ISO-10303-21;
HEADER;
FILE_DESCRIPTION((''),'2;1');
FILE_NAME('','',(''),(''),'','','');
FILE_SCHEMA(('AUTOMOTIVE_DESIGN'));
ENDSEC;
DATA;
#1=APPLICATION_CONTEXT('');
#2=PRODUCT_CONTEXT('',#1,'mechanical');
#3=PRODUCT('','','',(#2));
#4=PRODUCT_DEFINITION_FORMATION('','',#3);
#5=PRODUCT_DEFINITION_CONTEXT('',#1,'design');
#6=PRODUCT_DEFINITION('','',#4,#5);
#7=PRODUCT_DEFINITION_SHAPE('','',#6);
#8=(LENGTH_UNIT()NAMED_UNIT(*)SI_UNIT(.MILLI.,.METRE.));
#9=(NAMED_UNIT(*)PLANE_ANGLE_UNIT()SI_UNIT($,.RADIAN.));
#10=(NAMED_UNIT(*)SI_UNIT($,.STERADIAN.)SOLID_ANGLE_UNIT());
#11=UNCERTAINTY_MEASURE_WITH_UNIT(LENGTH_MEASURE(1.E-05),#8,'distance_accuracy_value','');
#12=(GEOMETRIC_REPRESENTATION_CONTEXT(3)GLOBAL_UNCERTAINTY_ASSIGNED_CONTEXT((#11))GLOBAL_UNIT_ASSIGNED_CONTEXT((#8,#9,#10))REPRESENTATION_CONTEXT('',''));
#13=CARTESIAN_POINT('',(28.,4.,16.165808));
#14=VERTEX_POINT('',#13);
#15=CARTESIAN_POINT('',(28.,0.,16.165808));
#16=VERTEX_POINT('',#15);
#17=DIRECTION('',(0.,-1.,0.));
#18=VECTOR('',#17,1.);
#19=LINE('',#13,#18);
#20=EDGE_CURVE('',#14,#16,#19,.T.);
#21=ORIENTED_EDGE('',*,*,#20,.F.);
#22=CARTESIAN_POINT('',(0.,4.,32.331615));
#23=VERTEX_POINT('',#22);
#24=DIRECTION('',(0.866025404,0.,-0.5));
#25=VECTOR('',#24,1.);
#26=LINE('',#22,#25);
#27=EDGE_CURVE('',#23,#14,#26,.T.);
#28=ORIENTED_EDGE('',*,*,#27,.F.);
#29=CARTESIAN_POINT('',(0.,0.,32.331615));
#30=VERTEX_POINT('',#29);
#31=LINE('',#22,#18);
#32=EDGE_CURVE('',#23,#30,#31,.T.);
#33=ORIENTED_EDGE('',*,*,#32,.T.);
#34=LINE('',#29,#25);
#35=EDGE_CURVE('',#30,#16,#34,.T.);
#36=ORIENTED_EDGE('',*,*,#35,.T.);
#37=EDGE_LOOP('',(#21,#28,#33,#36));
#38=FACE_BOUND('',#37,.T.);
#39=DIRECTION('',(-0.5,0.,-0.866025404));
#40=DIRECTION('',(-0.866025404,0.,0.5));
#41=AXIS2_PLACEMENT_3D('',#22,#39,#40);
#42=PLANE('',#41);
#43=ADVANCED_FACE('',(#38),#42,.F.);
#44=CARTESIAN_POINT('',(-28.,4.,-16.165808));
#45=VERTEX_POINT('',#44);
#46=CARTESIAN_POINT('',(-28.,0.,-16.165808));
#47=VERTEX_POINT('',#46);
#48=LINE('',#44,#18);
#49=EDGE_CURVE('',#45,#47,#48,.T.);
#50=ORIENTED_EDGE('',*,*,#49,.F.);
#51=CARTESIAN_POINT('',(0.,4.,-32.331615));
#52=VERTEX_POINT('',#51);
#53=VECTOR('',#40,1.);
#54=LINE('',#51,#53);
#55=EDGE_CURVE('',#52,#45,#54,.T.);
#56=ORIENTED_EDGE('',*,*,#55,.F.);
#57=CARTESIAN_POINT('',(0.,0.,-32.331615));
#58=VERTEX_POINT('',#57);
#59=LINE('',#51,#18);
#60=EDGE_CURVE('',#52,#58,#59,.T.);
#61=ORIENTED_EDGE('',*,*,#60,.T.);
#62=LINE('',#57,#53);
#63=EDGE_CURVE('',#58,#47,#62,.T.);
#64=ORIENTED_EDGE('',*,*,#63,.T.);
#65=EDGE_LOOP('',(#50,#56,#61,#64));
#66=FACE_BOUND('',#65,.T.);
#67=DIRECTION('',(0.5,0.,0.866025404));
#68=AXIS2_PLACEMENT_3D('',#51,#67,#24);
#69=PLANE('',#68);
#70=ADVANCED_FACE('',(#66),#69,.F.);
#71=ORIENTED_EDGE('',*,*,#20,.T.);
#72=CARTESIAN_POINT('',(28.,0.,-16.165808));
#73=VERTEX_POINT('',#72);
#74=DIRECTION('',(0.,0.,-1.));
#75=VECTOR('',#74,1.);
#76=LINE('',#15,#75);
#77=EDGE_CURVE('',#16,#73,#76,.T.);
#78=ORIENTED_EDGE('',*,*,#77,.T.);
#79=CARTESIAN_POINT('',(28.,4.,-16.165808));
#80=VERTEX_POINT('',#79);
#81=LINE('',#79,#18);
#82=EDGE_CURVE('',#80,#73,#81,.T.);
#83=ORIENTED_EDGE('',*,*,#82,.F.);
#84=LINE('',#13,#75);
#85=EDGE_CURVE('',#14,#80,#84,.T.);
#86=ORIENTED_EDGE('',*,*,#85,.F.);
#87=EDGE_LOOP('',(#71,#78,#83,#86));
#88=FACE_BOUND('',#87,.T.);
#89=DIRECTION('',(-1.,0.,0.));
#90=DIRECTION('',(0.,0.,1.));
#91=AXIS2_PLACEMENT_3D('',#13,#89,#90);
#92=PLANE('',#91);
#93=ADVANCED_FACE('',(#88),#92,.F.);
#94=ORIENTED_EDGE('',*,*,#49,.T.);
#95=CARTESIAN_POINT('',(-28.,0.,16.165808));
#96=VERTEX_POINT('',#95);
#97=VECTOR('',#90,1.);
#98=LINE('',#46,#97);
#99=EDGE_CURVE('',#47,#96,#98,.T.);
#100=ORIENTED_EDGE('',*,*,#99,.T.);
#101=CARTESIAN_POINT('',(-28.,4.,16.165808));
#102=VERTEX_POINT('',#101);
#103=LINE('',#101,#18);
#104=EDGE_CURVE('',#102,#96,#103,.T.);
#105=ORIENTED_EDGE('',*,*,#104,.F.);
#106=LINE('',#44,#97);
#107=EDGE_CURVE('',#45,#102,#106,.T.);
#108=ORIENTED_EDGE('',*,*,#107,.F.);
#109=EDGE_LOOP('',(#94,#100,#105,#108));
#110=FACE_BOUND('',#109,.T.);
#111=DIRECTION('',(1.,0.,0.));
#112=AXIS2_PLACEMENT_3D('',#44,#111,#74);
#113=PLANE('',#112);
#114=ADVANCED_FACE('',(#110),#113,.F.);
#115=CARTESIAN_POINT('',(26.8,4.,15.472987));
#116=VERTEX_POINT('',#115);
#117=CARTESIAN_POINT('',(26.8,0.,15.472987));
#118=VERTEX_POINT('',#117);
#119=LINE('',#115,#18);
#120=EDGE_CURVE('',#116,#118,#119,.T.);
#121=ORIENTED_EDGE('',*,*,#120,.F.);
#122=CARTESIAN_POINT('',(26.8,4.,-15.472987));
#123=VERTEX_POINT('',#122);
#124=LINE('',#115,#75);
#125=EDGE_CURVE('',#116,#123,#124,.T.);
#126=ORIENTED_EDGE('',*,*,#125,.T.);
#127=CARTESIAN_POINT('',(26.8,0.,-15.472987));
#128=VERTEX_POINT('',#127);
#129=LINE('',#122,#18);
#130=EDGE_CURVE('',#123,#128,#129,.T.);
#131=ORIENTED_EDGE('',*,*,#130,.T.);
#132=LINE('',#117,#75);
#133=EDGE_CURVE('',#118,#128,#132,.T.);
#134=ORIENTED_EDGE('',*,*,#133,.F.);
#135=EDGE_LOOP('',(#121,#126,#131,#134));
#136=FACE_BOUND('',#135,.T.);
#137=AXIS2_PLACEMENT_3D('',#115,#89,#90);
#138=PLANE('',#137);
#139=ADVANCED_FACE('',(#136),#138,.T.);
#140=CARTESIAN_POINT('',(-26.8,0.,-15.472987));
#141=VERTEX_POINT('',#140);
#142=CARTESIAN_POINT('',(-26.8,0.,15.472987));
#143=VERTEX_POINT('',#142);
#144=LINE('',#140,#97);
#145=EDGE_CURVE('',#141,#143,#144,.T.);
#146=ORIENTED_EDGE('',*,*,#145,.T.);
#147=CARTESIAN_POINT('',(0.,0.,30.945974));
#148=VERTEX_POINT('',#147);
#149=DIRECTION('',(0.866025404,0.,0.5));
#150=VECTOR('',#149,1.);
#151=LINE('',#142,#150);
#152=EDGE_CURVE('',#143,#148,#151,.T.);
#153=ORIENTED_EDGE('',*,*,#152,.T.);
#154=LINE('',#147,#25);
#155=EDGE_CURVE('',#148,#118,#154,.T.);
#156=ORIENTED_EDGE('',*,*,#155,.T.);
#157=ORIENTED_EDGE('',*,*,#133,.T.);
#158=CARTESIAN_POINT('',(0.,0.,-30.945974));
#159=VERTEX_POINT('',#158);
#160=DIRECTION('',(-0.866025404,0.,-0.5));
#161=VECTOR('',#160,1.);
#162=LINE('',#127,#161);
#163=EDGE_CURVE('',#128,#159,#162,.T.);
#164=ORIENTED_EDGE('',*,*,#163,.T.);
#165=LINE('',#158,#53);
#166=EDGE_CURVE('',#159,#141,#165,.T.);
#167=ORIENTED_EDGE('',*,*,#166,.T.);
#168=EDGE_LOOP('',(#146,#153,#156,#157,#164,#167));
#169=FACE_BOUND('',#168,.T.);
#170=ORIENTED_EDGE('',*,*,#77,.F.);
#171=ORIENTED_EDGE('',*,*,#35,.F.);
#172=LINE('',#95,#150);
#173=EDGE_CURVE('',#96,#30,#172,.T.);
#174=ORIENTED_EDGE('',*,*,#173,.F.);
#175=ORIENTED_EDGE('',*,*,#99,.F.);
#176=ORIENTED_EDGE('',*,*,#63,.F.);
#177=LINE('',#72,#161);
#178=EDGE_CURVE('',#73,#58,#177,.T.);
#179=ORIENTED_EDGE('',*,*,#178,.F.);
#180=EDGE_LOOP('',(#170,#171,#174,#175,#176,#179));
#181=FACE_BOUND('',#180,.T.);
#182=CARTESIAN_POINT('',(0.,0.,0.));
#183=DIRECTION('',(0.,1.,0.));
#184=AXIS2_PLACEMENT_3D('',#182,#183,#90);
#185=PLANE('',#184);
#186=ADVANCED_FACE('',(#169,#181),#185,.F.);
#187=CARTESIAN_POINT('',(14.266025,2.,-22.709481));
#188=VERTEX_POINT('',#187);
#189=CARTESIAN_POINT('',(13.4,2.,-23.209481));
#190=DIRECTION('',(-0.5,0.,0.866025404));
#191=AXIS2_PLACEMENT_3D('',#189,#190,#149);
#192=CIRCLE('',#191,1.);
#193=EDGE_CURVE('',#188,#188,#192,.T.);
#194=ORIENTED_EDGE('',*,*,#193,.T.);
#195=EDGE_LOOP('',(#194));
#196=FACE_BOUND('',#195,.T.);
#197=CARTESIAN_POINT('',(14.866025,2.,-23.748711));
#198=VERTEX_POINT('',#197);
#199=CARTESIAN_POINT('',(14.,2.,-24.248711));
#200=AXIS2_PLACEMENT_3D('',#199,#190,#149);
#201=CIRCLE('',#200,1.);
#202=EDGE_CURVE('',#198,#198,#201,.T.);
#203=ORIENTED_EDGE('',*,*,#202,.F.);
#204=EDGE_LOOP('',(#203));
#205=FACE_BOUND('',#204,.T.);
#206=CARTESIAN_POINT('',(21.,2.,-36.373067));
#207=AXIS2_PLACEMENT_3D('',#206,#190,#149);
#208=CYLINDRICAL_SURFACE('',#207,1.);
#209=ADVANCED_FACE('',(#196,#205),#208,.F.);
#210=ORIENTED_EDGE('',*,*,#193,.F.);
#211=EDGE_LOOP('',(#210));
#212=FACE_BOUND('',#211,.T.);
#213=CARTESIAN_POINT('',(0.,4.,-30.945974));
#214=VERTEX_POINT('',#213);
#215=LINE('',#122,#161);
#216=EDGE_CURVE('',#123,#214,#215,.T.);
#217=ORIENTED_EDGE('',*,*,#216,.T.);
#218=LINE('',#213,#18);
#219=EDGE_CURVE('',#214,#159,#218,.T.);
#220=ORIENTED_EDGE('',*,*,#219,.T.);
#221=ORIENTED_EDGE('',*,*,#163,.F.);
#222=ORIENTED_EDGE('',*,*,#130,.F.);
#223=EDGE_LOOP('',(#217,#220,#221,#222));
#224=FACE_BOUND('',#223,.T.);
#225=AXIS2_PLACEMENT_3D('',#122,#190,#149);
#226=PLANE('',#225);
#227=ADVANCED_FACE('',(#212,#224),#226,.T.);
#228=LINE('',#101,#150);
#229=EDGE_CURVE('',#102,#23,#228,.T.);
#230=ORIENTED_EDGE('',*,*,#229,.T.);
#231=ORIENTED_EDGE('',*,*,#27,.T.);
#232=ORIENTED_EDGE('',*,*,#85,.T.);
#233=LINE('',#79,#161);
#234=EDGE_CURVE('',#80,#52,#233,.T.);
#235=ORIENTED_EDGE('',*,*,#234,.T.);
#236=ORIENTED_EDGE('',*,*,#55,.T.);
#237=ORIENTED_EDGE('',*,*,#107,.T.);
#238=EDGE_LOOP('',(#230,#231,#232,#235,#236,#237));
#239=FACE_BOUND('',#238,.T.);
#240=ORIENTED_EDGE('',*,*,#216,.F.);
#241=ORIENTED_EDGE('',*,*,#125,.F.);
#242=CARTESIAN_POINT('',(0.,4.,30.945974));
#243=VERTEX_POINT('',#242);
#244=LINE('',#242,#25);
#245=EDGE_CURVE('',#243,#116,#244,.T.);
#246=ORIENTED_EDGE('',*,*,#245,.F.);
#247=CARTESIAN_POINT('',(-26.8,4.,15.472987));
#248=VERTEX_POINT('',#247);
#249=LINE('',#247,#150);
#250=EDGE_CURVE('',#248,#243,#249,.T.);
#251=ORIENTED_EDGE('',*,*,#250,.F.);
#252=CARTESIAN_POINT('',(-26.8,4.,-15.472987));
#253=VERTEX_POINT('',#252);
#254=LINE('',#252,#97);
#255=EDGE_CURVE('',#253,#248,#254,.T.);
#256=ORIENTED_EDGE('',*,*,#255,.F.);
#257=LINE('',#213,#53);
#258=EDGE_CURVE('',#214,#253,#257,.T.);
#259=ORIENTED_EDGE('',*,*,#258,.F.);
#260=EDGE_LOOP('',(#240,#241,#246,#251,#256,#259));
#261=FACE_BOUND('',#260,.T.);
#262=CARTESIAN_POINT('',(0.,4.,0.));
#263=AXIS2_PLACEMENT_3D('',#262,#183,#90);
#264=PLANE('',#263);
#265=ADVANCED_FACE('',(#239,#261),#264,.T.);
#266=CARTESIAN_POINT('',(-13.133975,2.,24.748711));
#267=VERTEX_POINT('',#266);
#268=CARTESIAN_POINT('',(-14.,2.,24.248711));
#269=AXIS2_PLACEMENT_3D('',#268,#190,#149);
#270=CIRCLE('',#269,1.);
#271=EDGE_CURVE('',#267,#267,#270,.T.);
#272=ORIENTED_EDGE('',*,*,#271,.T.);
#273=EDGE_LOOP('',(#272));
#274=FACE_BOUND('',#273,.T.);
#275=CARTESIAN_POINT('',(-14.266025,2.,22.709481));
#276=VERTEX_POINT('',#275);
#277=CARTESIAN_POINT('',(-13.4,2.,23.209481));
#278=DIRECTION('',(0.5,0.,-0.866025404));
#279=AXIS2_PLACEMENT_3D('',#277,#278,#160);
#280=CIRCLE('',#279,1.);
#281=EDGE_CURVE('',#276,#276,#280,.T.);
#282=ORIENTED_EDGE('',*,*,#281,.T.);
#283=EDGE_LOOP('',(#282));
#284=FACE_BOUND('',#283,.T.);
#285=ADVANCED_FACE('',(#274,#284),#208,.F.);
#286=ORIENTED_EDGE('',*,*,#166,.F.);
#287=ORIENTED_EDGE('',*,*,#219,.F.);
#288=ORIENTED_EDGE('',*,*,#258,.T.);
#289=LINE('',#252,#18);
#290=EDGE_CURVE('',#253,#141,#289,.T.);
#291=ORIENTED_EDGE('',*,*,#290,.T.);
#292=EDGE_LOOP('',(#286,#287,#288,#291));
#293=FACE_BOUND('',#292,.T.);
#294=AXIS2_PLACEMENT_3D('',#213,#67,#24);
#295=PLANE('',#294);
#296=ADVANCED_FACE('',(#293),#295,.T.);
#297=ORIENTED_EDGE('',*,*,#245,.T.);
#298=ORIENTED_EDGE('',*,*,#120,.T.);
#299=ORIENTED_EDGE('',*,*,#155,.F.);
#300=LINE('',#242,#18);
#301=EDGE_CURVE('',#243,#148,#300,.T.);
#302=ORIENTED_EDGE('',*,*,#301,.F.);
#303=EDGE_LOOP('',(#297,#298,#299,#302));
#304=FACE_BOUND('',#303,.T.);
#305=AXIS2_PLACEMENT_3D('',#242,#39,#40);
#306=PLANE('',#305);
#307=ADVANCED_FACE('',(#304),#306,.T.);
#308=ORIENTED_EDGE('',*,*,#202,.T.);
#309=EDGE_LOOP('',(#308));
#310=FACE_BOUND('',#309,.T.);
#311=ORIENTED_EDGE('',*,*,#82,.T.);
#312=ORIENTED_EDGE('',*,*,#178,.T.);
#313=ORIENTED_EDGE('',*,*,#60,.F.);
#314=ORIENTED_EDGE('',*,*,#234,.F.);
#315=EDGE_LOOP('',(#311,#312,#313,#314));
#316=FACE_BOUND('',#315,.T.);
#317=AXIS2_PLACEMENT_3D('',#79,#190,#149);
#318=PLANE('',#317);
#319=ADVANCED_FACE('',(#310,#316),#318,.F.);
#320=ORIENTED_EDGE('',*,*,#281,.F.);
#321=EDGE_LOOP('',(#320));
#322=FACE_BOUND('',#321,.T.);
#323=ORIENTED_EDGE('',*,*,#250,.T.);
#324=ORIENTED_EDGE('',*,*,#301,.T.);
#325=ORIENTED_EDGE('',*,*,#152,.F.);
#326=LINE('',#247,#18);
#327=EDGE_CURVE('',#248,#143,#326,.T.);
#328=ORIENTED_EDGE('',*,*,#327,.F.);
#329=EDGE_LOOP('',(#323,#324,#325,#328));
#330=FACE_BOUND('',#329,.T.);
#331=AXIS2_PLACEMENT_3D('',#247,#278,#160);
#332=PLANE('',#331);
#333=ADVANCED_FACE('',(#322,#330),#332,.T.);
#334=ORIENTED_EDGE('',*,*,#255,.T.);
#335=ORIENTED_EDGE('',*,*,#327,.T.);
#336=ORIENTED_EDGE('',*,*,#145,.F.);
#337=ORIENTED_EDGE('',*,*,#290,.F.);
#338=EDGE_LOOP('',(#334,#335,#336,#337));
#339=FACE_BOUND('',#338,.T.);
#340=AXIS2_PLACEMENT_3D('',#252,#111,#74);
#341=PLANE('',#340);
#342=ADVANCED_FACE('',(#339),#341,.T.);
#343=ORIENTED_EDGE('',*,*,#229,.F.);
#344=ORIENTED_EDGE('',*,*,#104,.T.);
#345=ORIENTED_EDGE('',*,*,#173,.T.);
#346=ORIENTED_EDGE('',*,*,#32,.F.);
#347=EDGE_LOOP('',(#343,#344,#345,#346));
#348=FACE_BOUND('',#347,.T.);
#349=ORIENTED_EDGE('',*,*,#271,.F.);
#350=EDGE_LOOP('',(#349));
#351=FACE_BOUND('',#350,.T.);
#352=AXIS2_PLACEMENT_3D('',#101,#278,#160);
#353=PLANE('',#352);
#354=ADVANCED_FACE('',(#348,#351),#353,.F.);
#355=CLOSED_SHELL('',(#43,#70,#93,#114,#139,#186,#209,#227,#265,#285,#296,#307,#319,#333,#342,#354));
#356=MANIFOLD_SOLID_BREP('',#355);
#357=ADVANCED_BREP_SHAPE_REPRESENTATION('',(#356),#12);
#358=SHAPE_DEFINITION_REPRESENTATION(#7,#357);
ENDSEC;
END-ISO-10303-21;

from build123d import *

# Parameters (mm, degrees)
RESSALTO_EXTRUS_O1_DEPTH = 4
ESBO_O2_R                = 1
CORTE_EXTRUS_O1_DEPTH    = 71.578561429


with BuildPart() as part:
    # Esboço1 → Ressalto-extrusão1 (new body)
    with BuildSketch(Plane(origin=(0, 0, 0), x_dir=(1, 0, 0), z_dir=(0, 1, 0))):
        Polygon((28, -16.165807537), (28, 16.165807537), (0, 32.331615075), (-28, 16.165807537), (-28, -16.165807537), (0, -32.331615075), align=None)
        Polygon((26.8, 15.472987214), (0, 30.945974429), (-26.8, 15.472987214), (-26.8, -15.472987214), (0, -30.945974429), (26.8, -15.472987214), align=None, mode=Mode.SUBTRACT)
    extrude(amount=RESSALTO_EXTRUS_O1_DEPTH)

    # Esboço2 → Corte-extrusão1 (cut, through all)
    with BuildSketch(Plane(origin=(-14, 0, 24.248711306), x_dir=(0.8660254037844387, 0, 0.49999999999999994), z_dir=(-0.4999999999999999, 0, 0.8660254037844386))):
        with Locations((0, 2)):
            Circle(ESBO_O2_R)
    extrude(amount=-CORTE_EXTRUS_O1_DEPTH, mode=Mode.SUBTRACT)


solid = part.part
